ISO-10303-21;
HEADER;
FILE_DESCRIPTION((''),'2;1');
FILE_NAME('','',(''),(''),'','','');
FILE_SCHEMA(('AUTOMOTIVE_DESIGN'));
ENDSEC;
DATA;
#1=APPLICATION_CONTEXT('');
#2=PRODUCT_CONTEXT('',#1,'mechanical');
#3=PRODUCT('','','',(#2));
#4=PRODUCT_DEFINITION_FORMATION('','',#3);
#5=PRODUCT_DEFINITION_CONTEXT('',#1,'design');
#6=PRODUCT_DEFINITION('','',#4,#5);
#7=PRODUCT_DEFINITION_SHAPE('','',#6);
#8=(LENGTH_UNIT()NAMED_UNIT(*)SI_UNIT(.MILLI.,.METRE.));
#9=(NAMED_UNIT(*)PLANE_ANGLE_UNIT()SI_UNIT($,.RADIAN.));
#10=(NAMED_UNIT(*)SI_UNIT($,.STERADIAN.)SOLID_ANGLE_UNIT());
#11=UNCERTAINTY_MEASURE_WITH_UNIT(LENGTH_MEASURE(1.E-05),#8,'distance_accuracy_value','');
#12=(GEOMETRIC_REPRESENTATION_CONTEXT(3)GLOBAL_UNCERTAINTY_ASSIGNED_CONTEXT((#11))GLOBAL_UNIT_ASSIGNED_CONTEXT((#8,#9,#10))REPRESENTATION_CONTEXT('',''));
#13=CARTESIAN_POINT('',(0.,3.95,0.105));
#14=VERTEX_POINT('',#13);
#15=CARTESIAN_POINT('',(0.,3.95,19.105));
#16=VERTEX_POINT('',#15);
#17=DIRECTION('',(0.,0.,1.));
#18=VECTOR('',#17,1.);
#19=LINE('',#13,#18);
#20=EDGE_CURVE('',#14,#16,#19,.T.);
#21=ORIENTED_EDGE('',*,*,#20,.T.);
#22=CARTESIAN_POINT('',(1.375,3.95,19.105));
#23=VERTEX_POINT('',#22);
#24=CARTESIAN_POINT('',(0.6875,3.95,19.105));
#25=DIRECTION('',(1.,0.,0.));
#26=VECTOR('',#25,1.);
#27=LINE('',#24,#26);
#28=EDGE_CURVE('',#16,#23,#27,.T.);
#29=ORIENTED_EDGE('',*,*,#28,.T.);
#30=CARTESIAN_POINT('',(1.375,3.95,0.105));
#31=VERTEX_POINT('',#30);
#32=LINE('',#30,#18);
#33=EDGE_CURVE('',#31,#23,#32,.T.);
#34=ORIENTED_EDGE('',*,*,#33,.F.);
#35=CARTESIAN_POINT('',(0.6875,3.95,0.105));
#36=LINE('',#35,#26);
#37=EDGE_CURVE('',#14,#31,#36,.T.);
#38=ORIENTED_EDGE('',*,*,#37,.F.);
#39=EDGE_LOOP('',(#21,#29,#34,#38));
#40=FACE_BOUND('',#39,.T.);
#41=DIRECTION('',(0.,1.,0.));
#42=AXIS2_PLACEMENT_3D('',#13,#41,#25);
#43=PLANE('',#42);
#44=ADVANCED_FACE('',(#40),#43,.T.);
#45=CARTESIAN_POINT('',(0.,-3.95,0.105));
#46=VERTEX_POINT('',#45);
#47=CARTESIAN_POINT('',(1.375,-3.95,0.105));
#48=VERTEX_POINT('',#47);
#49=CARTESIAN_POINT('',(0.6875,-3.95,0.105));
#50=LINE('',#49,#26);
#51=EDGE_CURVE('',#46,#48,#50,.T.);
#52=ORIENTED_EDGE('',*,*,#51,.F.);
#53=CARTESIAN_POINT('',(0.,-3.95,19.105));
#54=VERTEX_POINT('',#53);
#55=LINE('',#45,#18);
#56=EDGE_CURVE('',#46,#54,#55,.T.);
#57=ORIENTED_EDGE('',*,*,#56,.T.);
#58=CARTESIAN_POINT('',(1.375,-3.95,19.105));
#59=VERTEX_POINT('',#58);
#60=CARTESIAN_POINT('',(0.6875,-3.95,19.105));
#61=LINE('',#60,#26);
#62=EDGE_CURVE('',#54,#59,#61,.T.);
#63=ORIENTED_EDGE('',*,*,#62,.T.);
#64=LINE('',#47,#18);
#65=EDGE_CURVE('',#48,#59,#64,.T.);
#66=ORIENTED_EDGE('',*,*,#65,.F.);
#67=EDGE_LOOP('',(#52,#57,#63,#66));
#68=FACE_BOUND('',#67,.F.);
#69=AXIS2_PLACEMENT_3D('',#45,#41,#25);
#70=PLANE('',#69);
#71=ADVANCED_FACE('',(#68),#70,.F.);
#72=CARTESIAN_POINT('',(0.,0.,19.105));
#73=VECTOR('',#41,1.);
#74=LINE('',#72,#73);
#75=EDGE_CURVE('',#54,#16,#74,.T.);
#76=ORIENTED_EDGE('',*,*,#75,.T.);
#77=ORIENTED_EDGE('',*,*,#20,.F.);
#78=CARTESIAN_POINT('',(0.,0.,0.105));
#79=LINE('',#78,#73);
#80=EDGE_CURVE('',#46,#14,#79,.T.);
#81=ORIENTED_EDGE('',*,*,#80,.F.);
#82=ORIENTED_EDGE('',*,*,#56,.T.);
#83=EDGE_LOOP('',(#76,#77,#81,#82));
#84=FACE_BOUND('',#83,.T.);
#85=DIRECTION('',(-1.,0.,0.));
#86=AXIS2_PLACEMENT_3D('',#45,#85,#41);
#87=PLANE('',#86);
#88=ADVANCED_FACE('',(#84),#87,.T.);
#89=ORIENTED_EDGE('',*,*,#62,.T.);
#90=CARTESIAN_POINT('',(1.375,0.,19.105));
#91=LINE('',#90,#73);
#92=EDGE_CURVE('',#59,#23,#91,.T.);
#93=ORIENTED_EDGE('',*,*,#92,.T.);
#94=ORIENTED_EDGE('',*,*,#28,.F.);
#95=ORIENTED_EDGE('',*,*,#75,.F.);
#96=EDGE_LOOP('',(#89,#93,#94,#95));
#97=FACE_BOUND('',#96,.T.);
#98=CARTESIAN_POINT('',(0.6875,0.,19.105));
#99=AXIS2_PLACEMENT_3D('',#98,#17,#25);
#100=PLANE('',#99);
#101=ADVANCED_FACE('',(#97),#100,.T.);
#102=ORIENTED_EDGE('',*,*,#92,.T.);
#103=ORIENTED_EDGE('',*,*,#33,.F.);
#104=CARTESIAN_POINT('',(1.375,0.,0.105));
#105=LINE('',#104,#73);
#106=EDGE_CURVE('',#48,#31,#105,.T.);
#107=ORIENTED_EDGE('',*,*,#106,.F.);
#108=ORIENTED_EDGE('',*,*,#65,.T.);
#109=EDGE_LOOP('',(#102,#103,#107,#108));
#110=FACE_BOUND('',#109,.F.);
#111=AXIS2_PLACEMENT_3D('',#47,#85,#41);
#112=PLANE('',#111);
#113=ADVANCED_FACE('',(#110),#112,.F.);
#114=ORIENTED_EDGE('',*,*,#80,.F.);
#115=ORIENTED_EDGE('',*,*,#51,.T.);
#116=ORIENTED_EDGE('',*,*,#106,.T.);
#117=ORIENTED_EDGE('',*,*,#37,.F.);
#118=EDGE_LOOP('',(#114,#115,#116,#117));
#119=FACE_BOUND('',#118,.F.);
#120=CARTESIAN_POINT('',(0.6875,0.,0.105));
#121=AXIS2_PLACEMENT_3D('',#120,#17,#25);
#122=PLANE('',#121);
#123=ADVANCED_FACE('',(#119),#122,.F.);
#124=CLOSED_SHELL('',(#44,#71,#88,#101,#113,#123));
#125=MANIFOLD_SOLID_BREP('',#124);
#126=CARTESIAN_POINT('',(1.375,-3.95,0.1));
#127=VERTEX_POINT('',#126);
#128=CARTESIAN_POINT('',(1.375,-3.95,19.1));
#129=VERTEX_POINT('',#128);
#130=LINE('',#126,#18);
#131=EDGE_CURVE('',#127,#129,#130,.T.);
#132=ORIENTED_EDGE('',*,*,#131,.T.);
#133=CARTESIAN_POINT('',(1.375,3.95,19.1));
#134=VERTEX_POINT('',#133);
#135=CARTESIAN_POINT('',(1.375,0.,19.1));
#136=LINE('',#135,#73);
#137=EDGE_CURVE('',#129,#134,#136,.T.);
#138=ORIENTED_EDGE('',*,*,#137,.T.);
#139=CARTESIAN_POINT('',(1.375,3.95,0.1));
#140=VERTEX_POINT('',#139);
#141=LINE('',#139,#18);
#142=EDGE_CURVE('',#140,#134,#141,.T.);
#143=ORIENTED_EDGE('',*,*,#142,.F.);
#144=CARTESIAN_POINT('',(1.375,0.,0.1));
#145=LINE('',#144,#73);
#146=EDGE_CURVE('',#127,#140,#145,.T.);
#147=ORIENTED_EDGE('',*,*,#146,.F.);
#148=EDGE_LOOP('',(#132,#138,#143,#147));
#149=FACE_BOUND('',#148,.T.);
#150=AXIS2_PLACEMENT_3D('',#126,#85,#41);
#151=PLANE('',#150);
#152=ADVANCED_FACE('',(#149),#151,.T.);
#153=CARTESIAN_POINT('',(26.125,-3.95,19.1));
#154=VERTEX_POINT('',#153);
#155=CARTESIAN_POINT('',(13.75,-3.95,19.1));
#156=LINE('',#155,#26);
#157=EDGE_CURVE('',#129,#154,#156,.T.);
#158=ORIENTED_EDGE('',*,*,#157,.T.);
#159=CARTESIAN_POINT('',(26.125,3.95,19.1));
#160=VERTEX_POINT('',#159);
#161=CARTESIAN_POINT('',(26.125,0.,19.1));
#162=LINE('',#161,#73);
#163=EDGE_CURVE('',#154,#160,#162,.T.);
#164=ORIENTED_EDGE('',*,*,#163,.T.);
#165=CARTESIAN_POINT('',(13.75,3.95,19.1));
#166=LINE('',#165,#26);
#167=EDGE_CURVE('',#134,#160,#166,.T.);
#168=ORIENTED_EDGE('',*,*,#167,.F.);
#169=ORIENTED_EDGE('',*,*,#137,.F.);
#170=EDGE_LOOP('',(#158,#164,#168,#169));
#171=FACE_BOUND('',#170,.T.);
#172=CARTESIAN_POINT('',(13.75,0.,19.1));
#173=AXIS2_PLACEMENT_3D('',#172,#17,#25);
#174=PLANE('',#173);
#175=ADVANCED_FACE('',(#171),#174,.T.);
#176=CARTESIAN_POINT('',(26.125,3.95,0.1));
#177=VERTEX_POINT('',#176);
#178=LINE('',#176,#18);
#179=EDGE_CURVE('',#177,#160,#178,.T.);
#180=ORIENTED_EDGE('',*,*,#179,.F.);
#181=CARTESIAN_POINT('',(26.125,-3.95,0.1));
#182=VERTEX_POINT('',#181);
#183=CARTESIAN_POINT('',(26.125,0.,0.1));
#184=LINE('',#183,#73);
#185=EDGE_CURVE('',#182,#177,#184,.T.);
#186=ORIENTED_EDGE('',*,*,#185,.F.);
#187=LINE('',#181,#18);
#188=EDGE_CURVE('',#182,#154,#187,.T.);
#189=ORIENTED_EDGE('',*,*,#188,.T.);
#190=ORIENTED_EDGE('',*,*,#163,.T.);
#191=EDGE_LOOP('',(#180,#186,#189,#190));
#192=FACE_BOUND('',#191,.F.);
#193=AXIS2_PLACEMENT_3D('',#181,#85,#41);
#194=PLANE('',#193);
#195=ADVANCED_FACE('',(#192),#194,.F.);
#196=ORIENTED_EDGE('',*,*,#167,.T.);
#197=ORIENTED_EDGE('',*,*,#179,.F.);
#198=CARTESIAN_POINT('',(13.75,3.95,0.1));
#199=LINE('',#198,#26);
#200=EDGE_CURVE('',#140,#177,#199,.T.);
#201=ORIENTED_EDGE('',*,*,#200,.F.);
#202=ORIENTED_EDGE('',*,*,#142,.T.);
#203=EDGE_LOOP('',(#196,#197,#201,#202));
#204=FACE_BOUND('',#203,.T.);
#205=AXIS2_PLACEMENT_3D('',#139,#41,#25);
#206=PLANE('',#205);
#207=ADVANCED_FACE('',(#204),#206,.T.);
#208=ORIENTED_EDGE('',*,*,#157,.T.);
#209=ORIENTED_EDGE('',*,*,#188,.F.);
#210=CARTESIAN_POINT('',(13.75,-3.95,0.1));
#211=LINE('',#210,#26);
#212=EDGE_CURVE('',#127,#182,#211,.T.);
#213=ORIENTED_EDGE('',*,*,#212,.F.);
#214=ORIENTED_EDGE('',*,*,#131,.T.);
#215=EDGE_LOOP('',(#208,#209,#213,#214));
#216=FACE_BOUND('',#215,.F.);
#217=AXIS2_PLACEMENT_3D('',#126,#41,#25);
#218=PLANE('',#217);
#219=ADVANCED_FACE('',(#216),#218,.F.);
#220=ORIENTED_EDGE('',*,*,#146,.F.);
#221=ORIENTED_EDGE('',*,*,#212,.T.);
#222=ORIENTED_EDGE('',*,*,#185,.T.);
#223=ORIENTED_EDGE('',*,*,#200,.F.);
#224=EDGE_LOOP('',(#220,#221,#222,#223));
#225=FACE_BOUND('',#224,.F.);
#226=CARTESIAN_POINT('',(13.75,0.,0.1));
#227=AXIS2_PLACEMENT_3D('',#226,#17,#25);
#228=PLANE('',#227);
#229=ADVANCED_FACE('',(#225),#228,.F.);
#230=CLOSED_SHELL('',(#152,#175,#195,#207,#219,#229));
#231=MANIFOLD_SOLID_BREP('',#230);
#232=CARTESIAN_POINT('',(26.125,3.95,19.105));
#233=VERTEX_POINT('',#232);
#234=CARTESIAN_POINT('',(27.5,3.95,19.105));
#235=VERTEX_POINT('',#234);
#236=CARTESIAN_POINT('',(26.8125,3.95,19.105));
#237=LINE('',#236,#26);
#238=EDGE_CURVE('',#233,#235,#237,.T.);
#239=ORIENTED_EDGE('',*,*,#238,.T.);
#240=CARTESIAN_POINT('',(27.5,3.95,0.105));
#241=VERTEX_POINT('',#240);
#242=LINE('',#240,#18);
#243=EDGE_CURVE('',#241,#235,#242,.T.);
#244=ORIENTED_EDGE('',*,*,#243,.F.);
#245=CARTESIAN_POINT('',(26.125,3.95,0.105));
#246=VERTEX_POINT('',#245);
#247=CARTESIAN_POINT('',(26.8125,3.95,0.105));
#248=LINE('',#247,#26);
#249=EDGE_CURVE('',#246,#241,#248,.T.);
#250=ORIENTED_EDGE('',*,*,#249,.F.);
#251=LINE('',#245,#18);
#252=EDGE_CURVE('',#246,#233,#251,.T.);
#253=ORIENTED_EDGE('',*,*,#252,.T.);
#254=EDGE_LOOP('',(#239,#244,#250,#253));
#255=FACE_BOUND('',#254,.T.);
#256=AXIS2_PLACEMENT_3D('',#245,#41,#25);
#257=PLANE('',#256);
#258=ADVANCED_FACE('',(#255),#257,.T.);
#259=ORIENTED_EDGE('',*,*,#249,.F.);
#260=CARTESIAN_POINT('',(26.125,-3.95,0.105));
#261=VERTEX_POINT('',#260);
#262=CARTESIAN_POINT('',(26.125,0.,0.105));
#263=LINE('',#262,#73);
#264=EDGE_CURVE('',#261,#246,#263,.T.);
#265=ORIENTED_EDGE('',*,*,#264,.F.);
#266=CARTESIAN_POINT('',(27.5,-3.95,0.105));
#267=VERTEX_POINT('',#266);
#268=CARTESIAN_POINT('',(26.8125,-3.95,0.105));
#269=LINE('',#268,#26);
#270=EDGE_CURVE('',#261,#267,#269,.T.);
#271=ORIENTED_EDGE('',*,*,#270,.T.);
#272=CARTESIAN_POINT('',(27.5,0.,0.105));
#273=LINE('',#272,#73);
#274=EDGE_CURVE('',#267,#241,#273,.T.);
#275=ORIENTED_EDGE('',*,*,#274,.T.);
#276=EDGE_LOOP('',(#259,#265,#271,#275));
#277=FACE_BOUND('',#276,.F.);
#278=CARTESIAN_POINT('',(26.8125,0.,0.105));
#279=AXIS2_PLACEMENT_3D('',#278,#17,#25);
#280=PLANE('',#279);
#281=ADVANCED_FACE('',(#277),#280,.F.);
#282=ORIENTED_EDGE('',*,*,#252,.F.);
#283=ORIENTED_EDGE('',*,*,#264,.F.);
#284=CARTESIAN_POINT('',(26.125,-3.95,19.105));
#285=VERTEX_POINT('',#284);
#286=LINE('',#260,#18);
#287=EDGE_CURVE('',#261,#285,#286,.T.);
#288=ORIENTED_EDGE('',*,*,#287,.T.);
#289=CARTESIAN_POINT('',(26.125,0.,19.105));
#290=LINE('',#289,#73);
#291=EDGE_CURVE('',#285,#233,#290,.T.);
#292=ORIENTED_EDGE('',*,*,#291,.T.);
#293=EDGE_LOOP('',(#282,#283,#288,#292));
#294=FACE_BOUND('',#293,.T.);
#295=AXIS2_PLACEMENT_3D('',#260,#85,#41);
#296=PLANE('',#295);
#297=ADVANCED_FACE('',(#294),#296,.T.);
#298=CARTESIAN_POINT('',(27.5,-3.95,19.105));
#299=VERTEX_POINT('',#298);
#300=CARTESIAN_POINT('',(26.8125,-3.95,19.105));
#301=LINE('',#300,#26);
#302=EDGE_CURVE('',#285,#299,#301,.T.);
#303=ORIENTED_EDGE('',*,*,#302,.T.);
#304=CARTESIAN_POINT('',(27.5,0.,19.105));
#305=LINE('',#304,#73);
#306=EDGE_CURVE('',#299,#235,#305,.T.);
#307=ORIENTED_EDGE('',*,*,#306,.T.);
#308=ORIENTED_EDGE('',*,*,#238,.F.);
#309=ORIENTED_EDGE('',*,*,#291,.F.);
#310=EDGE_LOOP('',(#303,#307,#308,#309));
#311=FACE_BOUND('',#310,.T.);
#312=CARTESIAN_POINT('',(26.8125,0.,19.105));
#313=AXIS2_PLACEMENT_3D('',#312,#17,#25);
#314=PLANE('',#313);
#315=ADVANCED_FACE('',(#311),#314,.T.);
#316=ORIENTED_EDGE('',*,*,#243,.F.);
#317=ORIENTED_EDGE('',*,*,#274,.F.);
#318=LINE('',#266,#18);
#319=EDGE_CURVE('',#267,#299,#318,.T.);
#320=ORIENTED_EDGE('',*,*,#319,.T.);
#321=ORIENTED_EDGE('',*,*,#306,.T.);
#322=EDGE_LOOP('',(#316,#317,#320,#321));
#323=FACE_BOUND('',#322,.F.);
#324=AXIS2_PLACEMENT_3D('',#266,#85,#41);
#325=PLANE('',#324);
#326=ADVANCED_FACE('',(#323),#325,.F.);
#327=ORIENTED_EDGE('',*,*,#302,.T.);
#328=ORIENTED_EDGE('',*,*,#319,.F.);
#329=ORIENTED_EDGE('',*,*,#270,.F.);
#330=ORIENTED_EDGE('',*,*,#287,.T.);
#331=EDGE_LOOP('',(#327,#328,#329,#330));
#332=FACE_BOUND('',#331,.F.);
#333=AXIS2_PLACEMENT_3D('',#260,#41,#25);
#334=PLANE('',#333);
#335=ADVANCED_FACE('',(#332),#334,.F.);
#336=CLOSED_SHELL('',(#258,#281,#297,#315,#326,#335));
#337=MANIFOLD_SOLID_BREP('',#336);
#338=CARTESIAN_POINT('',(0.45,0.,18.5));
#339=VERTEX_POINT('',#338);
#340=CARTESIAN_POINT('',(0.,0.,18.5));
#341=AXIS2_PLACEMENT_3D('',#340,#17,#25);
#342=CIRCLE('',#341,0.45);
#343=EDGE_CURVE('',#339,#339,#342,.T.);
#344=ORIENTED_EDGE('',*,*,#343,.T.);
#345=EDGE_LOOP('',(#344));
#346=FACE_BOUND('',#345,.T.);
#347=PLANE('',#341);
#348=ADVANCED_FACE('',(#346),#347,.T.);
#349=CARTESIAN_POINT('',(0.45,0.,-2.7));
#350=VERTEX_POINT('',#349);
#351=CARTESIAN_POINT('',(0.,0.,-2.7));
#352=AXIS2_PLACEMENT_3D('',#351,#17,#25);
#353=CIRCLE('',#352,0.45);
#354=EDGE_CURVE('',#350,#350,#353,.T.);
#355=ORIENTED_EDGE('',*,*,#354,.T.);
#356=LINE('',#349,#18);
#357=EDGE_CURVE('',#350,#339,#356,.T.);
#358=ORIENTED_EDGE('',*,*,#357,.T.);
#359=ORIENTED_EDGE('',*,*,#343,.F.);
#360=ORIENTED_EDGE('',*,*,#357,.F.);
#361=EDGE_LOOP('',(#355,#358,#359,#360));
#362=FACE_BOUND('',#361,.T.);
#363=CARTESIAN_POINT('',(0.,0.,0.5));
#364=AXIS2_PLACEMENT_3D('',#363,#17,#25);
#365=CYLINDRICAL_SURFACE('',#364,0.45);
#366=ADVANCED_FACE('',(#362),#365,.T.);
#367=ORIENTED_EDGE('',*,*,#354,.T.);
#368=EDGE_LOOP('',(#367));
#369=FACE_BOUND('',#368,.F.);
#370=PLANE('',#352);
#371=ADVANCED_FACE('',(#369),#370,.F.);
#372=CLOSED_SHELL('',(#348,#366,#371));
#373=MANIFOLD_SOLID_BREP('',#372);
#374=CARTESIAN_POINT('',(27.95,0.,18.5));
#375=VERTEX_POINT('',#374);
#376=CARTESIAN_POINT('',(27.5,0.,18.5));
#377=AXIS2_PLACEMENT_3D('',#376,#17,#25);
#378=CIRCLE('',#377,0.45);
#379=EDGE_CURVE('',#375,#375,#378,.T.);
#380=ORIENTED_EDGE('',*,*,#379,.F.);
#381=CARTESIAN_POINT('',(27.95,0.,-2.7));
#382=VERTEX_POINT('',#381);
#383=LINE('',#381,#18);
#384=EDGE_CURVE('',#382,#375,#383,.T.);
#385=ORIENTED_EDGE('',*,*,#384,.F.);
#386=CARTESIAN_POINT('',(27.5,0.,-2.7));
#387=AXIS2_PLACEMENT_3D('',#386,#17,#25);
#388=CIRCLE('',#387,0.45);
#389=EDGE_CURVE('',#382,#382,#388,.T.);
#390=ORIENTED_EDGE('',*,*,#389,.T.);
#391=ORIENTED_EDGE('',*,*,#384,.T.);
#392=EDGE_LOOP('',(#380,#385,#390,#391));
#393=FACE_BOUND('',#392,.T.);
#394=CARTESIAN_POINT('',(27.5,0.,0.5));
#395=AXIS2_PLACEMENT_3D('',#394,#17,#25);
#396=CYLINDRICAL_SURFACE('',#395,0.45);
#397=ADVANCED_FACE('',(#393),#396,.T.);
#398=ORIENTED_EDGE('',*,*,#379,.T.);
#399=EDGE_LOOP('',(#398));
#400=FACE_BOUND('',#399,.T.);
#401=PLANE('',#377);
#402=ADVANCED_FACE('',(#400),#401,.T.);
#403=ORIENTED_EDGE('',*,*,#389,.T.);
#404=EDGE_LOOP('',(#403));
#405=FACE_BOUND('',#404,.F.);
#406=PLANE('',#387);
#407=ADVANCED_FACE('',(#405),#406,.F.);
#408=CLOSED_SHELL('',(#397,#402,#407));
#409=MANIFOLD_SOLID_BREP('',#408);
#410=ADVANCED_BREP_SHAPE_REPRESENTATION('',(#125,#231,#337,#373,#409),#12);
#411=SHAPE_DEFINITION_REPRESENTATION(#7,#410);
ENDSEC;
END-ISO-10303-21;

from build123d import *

# Parameters (mm, degrees)
SKETCH_W          = 24.75
SKETCH_H          = 7.9
PAD_DEPTH         = 19
SKETCH001_R       = 0.45
PAD001_DEPTH      = 18
PAD001_DEPTH_BACK = 3.2
SKETCH002_W       = 1.375
SKETCH002_H       = 7.9
PAD002_DEPTH      = 19


with BuildPart() as pad:
    # Sketch → Pad (new body)
    with BuildSketch(Plane.XY.offset(0.1)):
        with Locations((13.75, 0)):
            Rectangle(SKETCH_W, SKETCH_H)
    extrude(amount=PAD_DEPTH)


with BuildPart() as pad001:
    # Sketch001 → Pad001 (new body, two sides)
    with BuildSketch(Plane.XY.offset(0.5)) as pad001_sk:
        Circle(SKETCH001_R)
        with Locations((27.5, 0)):
            Circle(SKETCH001_R)
    extrude(amount=PAD001_DEPTH)
    extrude(pad001_sk.sketch, amount=-PAD001_DEPTH_BACK)


with BuildPart() as pad002:
    # Sketch002 → Pad002 (new body)
    with BuildSketch(Plane.XY.offset(0.105)):
        with Locations((0.6875, 0)):
            Rectangle(SKETCH002_W, SKETCH002_H)
        with Locations((26.8125, 0)):
            Rectangle(SKETCH002_W, SKETCH002_H)
    extrude(amount=PAD002_DEPTH)


solid = Compound([pad.part, pad001.part, pad002.part])
